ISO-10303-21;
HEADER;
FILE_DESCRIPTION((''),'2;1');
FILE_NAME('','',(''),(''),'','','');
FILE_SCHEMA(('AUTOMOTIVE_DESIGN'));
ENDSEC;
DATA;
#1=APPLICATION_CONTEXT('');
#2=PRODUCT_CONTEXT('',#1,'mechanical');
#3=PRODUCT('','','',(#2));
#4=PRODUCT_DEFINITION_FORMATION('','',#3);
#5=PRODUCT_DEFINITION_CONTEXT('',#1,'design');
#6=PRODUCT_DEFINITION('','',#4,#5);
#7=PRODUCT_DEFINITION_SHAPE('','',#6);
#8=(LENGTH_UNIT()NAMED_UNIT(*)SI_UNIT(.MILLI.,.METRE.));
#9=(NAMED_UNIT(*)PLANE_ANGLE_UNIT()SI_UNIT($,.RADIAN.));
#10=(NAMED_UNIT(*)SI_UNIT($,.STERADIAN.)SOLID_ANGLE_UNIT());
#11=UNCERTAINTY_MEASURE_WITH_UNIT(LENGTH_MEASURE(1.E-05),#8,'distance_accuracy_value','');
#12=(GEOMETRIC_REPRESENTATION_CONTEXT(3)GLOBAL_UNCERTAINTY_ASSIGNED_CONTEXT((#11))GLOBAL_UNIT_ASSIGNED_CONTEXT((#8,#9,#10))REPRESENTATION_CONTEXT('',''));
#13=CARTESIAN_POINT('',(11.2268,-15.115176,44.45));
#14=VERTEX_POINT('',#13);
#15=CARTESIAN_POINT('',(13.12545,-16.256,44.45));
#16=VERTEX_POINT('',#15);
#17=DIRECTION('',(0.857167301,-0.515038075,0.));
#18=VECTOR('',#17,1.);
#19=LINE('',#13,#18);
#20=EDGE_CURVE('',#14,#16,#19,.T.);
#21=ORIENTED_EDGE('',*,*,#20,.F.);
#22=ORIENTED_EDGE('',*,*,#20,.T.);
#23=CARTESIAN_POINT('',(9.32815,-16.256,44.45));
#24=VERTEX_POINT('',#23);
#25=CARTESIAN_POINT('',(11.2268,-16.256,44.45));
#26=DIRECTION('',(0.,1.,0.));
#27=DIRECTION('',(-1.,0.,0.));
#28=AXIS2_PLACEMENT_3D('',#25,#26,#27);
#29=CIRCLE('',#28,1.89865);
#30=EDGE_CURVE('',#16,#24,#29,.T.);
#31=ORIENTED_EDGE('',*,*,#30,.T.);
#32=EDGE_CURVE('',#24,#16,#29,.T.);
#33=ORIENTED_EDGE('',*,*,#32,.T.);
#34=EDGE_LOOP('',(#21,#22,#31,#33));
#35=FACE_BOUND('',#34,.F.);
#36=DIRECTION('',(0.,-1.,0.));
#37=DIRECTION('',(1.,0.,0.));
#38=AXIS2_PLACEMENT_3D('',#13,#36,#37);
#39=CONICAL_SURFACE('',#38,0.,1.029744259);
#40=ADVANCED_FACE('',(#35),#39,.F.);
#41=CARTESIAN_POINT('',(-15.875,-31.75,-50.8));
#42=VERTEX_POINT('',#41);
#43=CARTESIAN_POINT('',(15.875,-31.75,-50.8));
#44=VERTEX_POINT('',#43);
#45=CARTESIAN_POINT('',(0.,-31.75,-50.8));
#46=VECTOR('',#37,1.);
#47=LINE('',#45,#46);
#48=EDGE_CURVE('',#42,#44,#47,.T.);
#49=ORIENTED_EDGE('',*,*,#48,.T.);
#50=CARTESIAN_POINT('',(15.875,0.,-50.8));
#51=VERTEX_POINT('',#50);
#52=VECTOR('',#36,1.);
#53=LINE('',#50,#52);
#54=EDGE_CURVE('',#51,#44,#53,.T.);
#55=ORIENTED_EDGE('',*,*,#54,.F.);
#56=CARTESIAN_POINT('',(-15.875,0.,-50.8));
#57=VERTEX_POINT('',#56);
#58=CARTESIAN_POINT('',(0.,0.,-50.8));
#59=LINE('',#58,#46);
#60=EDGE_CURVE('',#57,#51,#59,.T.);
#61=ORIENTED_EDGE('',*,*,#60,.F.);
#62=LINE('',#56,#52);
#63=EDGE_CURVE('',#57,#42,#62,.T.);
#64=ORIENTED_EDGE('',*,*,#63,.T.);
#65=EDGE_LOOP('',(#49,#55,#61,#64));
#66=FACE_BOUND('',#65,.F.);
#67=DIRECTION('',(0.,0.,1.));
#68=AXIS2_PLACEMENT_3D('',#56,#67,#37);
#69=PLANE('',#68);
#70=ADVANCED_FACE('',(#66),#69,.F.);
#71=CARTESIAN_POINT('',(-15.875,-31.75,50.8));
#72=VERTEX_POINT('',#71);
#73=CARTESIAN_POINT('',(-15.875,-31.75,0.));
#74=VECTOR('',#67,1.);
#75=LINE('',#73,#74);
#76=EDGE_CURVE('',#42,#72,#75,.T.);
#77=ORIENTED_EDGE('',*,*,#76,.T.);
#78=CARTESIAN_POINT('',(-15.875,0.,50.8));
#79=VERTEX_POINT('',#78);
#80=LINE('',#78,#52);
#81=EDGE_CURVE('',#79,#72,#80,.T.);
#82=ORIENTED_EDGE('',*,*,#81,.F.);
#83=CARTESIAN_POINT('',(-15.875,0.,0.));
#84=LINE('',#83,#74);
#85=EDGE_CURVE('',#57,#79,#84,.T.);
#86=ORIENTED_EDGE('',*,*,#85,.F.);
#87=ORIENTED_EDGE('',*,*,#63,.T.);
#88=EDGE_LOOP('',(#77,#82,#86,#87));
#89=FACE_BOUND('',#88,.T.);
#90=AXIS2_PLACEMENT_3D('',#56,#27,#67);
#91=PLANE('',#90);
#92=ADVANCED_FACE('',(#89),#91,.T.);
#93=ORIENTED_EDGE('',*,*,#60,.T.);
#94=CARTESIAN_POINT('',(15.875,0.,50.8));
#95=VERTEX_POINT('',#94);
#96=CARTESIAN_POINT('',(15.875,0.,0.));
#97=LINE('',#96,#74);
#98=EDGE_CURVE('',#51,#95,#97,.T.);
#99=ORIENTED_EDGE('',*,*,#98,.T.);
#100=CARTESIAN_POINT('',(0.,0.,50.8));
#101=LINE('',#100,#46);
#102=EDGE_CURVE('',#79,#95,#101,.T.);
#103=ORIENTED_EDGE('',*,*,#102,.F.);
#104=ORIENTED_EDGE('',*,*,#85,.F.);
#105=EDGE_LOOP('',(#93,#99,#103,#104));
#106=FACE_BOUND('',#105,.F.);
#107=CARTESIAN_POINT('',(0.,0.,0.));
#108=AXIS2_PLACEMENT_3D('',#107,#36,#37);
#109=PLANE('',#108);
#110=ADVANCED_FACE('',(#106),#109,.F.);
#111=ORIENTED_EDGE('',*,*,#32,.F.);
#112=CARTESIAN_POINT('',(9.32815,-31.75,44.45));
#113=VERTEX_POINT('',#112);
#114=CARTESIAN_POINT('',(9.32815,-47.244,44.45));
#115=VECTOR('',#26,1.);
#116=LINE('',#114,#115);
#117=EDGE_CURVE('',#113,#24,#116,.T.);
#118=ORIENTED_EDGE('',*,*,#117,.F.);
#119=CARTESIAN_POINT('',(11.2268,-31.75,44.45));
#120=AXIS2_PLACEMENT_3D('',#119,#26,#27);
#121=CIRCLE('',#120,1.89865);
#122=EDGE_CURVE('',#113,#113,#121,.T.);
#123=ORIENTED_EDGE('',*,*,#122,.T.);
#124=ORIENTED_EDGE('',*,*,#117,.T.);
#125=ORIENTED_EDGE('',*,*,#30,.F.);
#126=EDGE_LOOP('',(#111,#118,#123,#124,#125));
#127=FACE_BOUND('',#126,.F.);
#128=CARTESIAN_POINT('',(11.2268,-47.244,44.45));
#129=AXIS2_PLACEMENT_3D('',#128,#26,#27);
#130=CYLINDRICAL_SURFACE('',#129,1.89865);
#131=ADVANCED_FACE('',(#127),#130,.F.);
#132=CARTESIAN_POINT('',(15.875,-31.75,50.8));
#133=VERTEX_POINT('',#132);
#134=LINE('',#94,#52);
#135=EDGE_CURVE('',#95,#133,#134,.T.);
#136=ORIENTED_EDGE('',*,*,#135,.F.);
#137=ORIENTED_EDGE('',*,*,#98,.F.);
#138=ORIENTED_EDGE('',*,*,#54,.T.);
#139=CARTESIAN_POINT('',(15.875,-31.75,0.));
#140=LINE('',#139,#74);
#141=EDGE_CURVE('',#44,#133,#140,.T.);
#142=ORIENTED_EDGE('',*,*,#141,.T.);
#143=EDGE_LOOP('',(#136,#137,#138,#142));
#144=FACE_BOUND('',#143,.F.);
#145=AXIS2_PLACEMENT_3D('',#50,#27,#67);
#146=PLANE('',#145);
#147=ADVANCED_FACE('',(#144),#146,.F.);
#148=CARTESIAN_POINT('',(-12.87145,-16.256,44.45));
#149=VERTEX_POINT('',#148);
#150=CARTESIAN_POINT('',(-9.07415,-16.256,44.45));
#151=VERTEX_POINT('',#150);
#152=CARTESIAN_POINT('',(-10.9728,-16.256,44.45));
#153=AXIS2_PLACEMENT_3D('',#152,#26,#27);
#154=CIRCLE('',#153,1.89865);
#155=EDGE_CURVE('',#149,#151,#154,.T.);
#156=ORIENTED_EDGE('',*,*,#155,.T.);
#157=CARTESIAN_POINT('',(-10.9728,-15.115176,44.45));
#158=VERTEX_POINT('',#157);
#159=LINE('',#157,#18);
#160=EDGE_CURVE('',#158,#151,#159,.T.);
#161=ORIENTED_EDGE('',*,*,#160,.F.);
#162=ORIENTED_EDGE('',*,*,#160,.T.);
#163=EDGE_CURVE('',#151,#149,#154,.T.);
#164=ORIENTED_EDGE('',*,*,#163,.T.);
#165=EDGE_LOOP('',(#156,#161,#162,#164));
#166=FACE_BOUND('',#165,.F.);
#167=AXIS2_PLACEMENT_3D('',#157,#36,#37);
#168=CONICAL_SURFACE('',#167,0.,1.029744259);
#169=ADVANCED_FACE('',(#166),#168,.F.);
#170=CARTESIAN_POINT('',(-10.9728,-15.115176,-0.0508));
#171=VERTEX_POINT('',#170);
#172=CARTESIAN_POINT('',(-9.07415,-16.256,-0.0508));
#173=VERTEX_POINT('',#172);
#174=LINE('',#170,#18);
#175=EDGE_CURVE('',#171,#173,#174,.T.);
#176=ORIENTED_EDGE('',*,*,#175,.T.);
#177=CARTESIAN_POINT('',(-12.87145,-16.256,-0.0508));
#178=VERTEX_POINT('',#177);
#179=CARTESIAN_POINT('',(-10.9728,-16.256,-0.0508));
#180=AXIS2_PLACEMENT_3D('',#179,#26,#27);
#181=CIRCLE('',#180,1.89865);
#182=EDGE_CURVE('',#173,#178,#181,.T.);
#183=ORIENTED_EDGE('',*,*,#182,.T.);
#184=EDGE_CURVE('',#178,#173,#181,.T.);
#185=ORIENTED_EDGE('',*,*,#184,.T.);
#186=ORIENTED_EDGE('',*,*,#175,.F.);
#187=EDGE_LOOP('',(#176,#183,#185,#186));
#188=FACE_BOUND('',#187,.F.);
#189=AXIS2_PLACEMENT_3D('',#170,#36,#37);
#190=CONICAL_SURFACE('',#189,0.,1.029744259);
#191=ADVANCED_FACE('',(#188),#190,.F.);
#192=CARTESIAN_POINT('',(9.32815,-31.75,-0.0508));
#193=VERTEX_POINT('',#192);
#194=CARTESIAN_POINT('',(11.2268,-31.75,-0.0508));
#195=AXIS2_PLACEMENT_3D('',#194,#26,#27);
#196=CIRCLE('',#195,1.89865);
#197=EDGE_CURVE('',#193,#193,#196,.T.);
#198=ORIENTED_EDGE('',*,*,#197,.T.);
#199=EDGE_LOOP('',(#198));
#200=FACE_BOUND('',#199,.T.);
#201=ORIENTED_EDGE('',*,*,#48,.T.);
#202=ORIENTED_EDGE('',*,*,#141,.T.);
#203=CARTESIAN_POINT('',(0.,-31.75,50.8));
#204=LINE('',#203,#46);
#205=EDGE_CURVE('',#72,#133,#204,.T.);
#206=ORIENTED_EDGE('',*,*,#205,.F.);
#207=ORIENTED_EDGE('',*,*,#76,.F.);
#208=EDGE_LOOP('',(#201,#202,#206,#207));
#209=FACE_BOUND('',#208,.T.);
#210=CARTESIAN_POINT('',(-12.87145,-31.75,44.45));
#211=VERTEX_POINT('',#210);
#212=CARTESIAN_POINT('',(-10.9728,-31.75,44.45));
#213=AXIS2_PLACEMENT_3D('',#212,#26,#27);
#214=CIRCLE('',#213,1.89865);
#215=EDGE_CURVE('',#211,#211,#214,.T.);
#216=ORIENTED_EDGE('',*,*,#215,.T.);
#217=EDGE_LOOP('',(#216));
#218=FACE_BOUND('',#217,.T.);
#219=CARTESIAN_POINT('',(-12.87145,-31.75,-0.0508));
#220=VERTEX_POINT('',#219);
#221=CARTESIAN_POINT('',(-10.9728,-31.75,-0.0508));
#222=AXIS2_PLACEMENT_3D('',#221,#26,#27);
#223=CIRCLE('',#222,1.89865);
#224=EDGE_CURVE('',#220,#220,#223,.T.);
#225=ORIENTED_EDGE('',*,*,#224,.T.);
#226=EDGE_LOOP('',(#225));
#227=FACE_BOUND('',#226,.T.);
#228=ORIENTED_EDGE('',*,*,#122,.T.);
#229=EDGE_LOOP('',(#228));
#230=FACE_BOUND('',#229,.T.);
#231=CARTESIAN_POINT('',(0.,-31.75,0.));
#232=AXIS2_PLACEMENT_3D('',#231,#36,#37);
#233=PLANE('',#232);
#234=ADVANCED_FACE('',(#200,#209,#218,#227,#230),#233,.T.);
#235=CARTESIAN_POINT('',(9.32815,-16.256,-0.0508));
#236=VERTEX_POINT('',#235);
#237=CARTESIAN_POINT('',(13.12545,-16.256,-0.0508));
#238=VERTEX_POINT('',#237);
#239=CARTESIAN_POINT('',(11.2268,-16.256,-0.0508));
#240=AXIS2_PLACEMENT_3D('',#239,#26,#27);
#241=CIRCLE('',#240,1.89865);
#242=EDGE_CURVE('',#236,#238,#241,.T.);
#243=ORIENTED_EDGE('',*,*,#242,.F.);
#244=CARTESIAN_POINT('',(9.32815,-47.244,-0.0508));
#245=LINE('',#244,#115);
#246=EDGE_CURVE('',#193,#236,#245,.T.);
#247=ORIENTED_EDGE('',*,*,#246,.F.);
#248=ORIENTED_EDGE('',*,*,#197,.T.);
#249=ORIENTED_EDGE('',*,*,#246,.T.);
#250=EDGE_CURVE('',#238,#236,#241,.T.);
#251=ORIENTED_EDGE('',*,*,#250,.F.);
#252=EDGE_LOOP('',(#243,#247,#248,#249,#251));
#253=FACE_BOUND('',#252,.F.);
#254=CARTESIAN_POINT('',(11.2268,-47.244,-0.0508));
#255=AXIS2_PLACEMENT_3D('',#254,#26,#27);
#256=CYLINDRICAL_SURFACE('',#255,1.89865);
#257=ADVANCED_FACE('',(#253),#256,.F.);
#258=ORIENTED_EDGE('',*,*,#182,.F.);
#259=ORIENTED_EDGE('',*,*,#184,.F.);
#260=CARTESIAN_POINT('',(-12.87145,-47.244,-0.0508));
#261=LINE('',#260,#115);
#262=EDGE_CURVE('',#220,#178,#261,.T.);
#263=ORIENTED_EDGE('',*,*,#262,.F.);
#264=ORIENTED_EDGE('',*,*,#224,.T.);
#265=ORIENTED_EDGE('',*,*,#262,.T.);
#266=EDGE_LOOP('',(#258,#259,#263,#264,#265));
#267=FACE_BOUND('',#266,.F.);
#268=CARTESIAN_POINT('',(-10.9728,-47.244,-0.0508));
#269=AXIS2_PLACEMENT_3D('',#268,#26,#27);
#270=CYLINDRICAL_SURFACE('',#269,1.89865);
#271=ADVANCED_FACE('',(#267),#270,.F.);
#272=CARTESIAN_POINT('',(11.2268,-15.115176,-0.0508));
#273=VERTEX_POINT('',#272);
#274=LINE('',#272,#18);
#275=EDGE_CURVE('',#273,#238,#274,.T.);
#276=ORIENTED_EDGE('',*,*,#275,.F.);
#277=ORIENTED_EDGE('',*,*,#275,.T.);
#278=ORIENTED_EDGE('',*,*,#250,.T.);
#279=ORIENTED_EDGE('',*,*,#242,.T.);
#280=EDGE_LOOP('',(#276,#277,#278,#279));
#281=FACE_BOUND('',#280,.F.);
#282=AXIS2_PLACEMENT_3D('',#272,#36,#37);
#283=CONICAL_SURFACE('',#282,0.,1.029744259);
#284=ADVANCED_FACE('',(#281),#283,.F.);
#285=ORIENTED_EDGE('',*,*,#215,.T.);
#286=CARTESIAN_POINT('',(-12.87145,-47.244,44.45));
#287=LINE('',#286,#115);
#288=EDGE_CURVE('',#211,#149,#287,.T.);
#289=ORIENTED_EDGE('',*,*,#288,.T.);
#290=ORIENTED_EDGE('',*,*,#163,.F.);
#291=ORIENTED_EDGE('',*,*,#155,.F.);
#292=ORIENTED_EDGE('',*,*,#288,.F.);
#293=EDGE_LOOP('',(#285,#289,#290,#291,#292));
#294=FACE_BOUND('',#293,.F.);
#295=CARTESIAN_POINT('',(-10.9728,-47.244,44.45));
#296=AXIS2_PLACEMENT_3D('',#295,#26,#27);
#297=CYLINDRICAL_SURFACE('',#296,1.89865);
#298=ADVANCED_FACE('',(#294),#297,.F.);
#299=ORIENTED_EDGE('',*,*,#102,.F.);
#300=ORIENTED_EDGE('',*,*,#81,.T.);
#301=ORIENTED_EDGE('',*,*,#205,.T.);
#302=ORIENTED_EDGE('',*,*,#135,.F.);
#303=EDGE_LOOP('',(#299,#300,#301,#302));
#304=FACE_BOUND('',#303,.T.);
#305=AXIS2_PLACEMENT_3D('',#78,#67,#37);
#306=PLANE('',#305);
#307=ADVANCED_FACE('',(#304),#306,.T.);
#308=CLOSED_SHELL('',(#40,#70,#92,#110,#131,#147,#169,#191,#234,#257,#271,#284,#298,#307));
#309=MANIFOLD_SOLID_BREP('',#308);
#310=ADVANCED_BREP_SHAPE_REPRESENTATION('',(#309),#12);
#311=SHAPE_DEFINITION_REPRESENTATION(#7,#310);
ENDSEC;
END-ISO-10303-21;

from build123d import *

# Parameters (mm, degrees)
F0_W     = 31.75
F0_H     = 101.6
F1_DEPTH = 31.75
F3_D     = 3.7973
F3_DEPTH = 15.494
F3_TIP   = 1.1408240143


with BuildPart() as f1:
    # F0 (on Front) → F1 (new body)
    with BuildSketch(Plane.XZ):
        Rectangle(F0_W, F0_H)
    extrude(amount=F1_DEPTH)

    # F3
    with Locations(Plane.XZ.offset(31.75)):
        with Locations((-10.9728, 44.45), (11.2268, 44.45), (-10.9728, -0.0508), (11.2268, -0.0508)):
            Hole(F3_D / 2, depth=F3_DEPTH)
            with Locations((0, 0, -(F3_DEPTH + F3_TIP / 2))):  # 118° drill point
                Cone(0, F3_D / 2, F3_TIP, mode=Mode.SUBTRACT)


solid = f1.part
